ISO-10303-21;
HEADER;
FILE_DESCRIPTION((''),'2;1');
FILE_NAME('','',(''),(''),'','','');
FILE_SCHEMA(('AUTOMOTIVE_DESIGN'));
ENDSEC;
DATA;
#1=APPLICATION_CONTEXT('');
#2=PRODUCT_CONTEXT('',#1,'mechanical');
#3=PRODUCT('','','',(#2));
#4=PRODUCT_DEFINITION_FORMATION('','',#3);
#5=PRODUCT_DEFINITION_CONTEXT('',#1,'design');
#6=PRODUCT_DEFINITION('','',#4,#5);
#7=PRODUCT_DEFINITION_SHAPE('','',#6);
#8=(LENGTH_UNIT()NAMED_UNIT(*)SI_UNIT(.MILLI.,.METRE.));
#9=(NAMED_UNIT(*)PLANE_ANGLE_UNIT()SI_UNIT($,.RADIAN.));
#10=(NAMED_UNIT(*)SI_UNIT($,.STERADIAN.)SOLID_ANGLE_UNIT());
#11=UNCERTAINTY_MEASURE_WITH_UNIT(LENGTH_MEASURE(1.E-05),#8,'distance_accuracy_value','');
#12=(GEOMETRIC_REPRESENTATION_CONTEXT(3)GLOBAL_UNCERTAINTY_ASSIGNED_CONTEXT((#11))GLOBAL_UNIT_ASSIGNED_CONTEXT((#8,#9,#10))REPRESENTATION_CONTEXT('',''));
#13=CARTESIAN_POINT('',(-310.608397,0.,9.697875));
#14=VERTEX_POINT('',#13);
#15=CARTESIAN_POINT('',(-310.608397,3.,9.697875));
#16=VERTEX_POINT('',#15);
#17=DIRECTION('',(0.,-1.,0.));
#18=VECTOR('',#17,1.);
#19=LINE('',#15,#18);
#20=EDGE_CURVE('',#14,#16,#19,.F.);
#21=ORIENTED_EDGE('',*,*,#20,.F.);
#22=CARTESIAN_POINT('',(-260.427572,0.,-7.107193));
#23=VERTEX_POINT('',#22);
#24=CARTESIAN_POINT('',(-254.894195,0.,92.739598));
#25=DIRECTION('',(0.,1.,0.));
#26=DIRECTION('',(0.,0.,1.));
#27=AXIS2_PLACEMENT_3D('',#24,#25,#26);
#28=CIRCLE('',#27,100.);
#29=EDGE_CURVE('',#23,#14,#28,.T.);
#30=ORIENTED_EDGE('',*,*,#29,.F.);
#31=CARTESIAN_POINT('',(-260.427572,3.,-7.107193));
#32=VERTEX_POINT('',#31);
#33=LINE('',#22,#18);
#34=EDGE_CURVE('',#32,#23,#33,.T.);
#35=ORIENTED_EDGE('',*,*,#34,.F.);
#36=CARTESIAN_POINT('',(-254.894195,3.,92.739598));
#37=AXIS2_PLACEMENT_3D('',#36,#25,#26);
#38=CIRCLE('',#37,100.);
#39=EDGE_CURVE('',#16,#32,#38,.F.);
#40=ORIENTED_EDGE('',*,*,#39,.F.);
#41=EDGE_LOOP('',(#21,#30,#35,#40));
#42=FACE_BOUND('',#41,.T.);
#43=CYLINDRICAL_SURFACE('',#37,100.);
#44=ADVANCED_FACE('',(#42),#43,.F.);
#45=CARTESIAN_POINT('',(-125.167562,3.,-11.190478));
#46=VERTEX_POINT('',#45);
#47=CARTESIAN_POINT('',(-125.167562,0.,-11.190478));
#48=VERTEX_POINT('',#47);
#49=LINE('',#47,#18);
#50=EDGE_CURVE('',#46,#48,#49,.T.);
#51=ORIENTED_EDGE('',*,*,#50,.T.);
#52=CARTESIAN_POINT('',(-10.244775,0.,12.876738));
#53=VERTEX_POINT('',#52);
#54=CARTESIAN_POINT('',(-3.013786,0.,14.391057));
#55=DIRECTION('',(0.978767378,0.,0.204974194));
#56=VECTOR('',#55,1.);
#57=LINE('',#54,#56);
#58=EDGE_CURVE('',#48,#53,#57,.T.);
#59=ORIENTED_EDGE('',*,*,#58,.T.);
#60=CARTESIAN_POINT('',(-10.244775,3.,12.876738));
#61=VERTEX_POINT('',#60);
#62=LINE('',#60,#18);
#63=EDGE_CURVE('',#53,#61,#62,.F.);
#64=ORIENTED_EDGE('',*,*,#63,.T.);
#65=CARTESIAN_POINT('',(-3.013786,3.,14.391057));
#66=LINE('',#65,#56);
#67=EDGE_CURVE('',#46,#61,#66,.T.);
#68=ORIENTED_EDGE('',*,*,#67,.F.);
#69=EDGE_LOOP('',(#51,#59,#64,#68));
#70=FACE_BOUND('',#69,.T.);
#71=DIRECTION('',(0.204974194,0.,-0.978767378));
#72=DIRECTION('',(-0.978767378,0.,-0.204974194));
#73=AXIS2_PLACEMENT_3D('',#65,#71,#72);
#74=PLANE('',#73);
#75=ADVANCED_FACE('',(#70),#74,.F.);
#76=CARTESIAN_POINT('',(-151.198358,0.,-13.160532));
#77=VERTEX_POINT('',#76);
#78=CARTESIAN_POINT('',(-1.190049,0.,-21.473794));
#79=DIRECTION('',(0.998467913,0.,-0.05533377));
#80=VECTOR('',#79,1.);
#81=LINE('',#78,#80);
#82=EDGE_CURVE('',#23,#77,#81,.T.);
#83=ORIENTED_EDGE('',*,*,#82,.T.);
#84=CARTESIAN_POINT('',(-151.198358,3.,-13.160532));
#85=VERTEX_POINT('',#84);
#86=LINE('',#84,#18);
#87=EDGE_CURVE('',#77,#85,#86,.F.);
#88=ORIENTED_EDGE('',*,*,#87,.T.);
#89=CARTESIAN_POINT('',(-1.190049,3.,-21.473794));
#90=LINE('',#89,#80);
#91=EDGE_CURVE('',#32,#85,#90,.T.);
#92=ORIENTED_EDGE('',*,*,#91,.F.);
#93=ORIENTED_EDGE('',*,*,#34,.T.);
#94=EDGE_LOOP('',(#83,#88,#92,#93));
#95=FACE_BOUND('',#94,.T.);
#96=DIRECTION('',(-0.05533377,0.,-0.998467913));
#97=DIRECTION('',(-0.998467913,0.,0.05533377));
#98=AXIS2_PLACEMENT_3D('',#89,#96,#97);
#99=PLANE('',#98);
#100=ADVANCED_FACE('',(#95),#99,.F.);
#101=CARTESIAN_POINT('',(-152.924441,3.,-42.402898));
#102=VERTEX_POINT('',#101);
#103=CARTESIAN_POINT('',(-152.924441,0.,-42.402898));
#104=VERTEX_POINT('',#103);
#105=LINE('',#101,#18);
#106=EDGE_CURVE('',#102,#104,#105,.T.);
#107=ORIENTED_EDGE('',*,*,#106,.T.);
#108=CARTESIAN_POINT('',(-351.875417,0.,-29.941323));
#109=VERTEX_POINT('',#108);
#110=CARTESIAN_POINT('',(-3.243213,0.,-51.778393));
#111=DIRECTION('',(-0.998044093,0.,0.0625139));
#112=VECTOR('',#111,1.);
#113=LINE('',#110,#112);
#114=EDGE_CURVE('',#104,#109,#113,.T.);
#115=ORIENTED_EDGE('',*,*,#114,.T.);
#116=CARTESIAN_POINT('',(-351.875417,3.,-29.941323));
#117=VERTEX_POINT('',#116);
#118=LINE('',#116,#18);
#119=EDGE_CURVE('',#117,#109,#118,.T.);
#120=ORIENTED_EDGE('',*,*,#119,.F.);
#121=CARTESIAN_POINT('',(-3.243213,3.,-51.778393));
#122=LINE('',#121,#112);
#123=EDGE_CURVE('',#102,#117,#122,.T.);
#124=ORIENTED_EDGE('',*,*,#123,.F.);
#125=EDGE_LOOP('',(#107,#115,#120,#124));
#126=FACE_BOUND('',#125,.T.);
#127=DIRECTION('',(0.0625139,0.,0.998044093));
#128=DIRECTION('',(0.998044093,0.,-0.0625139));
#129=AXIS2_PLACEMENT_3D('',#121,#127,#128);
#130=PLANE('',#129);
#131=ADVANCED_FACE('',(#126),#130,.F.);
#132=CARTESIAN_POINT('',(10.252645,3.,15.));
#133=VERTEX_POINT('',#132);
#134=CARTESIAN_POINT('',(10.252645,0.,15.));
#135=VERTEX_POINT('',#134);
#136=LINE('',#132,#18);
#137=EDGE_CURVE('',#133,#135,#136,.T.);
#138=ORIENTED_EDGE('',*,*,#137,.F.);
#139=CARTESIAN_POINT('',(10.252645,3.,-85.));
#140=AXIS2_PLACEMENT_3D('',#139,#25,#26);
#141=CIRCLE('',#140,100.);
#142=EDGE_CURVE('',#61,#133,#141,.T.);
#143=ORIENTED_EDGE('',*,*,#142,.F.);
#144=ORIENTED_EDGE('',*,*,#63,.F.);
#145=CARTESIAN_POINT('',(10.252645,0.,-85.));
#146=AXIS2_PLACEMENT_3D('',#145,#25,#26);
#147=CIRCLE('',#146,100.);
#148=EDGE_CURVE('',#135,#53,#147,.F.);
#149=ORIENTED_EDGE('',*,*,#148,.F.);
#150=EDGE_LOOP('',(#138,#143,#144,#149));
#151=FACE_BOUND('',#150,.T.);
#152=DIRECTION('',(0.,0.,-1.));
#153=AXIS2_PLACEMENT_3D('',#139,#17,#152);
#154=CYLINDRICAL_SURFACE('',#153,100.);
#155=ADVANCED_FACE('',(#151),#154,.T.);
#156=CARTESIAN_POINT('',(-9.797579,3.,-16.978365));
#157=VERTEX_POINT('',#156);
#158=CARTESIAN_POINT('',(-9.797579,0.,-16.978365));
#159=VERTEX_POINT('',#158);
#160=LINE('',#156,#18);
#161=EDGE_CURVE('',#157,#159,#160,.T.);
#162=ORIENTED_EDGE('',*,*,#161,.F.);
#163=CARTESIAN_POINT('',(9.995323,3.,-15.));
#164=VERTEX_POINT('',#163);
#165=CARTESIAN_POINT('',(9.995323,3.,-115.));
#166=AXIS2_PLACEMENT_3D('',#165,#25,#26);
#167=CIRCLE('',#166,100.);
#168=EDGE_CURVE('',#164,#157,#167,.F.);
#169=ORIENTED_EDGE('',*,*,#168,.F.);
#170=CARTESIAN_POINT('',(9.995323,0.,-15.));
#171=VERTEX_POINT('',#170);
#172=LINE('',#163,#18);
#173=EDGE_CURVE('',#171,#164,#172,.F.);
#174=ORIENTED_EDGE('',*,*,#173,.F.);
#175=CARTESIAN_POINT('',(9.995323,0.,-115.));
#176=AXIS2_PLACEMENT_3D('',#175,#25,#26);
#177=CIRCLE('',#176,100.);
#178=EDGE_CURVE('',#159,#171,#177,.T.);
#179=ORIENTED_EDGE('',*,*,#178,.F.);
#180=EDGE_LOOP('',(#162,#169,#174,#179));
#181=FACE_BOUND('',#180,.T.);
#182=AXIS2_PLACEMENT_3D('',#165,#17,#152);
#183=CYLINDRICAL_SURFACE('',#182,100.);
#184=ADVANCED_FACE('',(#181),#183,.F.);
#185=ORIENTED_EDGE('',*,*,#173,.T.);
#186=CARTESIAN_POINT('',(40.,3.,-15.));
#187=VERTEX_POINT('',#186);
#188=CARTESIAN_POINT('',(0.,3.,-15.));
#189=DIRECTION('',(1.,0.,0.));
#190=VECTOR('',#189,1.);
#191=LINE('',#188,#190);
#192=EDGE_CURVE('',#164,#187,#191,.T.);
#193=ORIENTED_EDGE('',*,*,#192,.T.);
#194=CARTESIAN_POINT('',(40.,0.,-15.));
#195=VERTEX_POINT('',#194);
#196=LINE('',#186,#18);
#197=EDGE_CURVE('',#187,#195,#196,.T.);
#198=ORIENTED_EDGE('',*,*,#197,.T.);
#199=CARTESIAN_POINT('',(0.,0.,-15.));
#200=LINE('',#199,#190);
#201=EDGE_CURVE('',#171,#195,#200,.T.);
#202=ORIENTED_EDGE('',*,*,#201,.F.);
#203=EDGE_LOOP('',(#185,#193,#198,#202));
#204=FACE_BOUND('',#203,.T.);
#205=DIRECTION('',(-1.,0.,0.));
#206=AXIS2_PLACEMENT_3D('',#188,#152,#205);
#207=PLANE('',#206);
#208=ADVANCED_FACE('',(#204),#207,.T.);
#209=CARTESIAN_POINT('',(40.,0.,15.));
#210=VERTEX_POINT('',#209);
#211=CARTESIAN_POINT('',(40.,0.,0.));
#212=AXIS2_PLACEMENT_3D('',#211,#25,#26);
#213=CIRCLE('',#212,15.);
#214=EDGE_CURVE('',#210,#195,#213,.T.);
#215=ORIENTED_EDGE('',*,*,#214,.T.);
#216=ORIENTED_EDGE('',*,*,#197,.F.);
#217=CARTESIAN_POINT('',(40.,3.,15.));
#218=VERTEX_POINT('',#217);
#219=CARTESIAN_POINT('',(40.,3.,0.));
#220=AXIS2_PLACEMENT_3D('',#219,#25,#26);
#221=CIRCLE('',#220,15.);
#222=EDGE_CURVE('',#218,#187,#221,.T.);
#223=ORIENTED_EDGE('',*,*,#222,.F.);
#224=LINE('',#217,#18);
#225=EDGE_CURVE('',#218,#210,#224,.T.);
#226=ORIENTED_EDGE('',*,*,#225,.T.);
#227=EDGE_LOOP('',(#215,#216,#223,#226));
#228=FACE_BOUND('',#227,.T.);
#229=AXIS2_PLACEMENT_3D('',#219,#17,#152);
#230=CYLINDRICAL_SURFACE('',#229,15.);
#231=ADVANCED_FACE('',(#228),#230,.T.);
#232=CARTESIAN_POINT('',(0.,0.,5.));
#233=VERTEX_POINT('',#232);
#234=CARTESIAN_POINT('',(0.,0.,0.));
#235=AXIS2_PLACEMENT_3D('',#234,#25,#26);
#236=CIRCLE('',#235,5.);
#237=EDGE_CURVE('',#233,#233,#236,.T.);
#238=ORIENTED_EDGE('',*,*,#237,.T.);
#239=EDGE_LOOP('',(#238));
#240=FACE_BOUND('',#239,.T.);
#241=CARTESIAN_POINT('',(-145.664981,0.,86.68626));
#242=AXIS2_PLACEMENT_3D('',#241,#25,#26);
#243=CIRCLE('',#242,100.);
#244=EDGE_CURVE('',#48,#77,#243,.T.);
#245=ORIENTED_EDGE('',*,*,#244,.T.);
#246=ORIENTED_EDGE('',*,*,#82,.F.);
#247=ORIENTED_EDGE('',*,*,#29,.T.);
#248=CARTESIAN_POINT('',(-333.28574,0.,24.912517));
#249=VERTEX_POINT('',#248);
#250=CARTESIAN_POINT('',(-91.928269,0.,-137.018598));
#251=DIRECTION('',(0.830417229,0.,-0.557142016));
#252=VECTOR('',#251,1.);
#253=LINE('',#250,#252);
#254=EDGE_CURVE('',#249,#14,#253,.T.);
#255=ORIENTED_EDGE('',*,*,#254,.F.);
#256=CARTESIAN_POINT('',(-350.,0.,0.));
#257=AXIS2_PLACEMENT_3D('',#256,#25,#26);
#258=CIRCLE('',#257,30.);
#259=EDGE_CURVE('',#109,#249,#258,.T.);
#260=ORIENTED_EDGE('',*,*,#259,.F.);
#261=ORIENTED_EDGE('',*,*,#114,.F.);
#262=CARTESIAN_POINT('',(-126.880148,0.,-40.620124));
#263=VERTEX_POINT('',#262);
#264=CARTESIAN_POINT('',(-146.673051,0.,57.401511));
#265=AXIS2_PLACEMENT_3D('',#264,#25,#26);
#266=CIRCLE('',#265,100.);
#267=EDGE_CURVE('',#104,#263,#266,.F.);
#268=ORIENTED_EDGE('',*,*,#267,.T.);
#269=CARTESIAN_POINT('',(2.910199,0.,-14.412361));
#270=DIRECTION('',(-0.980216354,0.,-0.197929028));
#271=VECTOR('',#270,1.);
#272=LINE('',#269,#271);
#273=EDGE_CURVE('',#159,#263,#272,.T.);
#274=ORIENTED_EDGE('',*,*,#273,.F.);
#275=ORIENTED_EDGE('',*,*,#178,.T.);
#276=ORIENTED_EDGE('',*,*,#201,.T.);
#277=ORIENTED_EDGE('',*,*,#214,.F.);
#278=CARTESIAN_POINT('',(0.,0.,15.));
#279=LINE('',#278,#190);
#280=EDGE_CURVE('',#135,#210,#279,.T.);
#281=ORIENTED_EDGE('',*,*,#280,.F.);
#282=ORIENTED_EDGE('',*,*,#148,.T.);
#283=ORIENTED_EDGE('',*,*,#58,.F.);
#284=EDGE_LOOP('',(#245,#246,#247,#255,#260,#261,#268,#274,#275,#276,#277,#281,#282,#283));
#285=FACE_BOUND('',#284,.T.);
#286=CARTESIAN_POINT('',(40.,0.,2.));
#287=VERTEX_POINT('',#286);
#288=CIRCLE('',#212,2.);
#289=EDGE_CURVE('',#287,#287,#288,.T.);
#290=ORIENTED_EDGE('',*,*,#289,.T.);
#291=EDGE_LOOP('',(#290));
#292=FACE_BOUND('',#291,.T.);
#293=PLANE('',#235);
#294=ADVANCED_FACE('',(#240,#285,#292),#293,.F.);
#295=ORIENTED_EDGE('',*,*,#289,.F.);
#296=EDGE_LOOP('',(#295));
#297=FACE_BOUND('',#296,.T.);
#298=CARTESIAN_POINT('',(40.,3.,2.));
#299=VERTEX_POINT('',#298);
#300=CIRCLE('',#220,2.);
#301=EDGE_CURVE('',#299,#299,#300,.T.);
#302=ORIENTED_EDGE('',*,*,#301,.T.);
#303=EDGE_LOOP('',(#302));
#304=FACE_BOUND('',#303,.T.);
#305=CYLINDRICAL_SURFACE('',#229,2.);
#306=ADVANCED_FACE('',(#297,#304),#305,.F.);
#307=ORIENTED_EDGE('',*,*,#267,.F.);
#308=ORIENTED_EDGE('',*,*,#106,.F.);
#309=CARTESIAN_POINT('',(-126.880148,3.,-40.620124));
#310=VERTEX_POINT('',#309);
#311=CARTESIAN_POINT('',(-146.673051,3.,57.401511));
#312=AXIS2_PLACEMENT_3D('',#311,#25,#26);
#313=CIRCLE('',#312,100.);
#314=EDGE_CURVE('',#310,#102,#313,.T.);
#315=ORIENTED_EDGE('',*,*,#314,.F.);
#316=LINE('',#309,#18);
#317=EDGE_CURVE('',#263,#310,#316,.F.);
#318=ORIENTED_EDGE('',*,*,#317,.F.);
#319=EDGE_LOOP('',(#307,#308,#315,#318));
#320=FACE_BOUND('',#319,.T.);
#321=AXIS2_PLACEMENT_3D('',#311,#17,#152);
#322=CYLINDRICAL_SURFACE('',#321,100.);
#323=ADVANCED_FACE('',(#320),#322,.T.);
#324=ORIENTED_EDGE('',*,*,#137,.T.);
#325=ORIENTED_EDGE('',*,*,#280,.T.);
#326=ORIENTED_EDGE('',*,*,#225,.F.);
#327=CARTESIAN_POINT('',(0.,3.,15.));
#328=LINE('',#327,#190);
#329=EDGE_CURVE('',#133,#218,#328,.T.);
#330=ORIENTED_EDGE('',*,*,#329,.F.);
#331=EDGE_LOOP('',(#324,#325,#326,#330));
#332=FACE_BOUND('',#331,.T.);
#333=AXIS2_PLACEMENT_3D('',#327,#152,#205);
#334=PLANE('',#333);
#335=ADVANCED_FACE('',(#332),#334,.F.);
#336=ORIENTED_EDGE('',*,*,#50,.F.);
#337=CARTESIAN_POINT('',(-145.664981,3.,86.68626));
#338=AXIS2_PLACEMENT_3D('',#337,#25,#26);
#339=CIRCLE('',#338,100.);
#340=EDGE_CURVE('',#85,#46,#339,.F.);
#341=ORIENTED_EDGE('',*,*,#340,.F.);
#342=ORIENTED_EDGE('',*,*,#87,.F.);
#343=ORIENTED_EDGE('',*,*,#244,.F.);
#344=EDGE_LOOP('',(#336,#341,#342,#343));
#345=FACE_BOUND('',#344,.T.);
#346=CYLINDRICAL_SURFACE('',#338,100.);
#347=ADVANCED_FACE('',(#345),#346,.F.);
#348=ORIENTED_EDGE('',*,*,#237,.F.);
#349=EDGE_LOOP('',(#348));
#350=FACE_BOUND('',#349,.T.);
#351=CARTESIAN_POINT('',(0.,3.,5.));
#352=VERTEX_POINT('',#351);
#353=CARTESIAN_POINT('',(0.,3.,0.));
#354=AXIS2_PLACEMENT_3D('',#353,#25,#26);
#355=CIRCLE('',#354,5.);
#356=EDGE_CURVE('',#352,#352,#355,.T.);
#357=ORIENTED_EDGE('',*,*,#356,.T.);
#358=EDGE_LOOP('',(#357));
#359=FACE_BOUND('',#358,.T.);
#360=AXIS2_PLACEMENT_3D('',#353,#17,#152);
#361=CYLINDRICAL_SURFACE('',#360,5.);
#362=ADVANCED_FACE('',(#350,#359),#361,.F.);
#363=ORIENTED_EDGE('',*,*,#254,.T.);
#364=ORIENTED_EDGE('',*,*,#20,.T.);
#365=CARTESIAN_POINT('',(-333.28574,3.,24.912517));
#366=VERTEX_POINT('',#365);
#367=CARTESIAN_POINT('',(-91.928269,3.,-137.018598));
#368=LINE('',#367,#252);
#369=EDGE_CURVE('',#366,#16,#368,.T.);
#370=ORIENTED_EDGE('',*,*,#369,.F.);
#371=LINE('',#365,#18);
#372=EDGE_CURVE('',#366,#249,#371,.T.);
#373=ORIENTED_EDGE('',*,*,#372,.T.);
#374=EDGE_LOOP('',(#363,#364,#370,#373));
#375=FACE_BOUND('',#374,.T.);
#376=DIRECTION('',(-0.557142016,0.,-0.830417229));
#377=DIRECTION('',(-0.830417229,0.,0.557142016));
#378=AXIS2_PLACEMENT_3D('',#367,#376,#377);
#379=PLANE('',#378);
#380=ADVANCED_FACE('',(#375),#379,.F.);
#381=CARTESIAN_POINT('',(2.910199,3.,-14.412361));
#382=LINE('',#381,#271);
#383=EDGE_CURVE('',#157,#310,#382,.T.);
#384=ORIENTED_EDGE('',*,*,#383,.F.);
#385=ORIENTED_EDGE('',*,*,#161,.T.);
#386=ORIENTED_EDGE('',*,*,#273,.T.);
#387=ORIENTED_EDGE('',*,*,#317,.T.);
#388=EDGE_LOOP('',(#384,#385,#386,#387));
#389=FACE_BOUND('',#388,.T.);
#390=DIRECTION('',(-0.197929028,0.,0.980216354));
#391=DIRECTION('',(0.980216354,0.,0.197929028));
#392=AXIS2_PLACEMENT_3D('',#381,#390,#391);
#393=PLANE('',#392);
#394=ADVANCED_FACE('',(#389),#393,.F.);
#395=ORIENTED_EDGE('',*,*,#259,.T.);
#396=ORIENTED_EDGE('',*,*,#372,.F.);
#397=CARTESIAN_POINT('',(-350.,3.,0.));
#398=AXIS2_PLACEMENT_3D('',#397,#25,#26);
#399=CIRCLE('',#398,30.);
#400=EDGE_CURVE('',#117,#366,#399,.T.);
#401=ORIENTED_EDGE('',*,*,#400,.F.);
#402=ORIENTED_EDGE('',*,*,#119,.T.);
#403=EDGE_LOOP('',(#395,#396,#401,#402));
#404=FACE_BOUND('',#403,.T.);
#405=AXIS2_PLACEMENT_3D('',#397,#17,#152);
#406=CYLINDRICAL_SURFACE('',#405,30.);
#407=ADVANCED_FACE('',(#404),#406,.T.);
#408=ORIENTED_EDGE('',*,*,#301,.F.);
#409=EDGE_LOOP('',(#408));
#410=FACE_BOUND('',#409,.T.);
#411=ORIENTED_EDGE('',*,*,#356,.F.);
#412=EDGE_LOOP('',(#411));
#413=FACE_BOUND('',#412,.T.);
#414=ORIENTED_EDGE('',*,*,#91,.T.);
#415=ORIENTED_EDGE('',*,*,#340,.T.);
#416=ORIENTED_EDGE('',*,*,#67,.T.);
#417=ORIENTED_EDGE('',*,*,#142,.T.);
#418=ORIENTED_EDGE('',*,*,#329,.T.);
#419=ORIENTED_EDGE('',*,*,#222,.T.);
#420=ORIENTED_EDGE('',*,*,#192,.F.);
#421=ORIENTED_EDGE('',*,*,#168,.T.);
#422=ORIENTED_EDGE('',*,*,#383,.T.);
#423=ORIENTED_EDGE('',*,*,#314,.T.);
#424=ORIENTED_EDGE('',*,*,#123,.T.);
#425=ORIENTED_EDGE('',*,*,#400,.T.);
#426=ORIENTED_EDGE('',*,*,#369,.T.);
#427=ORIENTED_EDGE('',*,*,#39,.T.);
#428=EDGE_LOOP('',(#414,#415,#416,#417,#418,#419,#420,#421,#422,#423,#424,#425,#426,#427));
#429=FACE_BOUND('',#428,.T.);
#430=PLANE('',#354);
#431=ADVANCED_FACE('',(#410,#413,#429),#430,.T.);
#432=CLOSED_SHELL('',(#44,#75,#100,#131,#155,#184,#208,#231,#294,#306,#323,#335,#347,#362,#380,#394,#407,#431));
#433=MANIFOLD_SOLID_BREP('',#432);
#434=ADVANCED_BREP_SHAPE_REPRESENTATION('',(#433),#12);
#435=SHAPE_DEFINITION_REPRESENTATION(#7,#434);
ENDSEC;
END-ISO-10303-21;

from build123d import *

# Parameters (mm, degrees)
SKETCH1_R           = 5
SKETCH1_R_2         = 2
BOSS_EXTRUDE1_DEPTH = 3
FILLET1_R           = 100


with BuildPart() as part:
    # Sketch1 → Boss-Extrude1 (new body)
    with BuildSketch(Plane(origin=(0, 0, 0), x_dir=(1, 0, 0), z_dir=(0, 1, 0))):
        with BuildLine():
            Line((0, 15), (-139.784941349, 43.225909045))
            Line((-139.784941349, 43.225909045), (-351.875415017, 29.941322925))
            ThreePointArc((-351.875415017, 29.941322925), (-378.412739548, -9.628926804), (-333.285739517, -24.912516864))
            Line((-333.285739517, -24.912516864), (-287.823465989, 5.588948968))
            Line((-287.823465989, 5.588948968), (-138.053278996, 13.889014505))
            Line((-138.053278996, 13.889014505), (-5.919683, -13.782501703))
            Line((-5.919683, -13.782501703), (0, -15))
            Line((0, -15), (40, -15))
            ThreePointArc((40, -15), (55, 0), (40, 15))
            Line((40, 15), (0, 15))
        make_face()
        with Locations(Location((0, 0, 0), (0, 0, 270))):
            Circle(SKETCH1_R, mode=Mode.SUBTRACT)
        with Locations(Location((40, 0, 0), (0, 0, 270))):
            Circle(SKETCH1_R_2, mode=Mode.SUBTRACT)
    extrude(amount=BOSS_EXTRUDE1_DEPTH)

    # Fillet1
    fillet1_edges = [part.edges().sort_by_distance(p)[0] for p in [
        (0, 1.5, -15),
        (-139.784941349, 1.5, -43.225909045),
        (-138.053278996, 1.5, -13.889014505),
        (-287.823465989, 1.5, -5.588948968),
        (0, 1.5, 15),
    ]]
    fillet(fillet1_edges, radius=FILLET1_R)


solid = part.part
